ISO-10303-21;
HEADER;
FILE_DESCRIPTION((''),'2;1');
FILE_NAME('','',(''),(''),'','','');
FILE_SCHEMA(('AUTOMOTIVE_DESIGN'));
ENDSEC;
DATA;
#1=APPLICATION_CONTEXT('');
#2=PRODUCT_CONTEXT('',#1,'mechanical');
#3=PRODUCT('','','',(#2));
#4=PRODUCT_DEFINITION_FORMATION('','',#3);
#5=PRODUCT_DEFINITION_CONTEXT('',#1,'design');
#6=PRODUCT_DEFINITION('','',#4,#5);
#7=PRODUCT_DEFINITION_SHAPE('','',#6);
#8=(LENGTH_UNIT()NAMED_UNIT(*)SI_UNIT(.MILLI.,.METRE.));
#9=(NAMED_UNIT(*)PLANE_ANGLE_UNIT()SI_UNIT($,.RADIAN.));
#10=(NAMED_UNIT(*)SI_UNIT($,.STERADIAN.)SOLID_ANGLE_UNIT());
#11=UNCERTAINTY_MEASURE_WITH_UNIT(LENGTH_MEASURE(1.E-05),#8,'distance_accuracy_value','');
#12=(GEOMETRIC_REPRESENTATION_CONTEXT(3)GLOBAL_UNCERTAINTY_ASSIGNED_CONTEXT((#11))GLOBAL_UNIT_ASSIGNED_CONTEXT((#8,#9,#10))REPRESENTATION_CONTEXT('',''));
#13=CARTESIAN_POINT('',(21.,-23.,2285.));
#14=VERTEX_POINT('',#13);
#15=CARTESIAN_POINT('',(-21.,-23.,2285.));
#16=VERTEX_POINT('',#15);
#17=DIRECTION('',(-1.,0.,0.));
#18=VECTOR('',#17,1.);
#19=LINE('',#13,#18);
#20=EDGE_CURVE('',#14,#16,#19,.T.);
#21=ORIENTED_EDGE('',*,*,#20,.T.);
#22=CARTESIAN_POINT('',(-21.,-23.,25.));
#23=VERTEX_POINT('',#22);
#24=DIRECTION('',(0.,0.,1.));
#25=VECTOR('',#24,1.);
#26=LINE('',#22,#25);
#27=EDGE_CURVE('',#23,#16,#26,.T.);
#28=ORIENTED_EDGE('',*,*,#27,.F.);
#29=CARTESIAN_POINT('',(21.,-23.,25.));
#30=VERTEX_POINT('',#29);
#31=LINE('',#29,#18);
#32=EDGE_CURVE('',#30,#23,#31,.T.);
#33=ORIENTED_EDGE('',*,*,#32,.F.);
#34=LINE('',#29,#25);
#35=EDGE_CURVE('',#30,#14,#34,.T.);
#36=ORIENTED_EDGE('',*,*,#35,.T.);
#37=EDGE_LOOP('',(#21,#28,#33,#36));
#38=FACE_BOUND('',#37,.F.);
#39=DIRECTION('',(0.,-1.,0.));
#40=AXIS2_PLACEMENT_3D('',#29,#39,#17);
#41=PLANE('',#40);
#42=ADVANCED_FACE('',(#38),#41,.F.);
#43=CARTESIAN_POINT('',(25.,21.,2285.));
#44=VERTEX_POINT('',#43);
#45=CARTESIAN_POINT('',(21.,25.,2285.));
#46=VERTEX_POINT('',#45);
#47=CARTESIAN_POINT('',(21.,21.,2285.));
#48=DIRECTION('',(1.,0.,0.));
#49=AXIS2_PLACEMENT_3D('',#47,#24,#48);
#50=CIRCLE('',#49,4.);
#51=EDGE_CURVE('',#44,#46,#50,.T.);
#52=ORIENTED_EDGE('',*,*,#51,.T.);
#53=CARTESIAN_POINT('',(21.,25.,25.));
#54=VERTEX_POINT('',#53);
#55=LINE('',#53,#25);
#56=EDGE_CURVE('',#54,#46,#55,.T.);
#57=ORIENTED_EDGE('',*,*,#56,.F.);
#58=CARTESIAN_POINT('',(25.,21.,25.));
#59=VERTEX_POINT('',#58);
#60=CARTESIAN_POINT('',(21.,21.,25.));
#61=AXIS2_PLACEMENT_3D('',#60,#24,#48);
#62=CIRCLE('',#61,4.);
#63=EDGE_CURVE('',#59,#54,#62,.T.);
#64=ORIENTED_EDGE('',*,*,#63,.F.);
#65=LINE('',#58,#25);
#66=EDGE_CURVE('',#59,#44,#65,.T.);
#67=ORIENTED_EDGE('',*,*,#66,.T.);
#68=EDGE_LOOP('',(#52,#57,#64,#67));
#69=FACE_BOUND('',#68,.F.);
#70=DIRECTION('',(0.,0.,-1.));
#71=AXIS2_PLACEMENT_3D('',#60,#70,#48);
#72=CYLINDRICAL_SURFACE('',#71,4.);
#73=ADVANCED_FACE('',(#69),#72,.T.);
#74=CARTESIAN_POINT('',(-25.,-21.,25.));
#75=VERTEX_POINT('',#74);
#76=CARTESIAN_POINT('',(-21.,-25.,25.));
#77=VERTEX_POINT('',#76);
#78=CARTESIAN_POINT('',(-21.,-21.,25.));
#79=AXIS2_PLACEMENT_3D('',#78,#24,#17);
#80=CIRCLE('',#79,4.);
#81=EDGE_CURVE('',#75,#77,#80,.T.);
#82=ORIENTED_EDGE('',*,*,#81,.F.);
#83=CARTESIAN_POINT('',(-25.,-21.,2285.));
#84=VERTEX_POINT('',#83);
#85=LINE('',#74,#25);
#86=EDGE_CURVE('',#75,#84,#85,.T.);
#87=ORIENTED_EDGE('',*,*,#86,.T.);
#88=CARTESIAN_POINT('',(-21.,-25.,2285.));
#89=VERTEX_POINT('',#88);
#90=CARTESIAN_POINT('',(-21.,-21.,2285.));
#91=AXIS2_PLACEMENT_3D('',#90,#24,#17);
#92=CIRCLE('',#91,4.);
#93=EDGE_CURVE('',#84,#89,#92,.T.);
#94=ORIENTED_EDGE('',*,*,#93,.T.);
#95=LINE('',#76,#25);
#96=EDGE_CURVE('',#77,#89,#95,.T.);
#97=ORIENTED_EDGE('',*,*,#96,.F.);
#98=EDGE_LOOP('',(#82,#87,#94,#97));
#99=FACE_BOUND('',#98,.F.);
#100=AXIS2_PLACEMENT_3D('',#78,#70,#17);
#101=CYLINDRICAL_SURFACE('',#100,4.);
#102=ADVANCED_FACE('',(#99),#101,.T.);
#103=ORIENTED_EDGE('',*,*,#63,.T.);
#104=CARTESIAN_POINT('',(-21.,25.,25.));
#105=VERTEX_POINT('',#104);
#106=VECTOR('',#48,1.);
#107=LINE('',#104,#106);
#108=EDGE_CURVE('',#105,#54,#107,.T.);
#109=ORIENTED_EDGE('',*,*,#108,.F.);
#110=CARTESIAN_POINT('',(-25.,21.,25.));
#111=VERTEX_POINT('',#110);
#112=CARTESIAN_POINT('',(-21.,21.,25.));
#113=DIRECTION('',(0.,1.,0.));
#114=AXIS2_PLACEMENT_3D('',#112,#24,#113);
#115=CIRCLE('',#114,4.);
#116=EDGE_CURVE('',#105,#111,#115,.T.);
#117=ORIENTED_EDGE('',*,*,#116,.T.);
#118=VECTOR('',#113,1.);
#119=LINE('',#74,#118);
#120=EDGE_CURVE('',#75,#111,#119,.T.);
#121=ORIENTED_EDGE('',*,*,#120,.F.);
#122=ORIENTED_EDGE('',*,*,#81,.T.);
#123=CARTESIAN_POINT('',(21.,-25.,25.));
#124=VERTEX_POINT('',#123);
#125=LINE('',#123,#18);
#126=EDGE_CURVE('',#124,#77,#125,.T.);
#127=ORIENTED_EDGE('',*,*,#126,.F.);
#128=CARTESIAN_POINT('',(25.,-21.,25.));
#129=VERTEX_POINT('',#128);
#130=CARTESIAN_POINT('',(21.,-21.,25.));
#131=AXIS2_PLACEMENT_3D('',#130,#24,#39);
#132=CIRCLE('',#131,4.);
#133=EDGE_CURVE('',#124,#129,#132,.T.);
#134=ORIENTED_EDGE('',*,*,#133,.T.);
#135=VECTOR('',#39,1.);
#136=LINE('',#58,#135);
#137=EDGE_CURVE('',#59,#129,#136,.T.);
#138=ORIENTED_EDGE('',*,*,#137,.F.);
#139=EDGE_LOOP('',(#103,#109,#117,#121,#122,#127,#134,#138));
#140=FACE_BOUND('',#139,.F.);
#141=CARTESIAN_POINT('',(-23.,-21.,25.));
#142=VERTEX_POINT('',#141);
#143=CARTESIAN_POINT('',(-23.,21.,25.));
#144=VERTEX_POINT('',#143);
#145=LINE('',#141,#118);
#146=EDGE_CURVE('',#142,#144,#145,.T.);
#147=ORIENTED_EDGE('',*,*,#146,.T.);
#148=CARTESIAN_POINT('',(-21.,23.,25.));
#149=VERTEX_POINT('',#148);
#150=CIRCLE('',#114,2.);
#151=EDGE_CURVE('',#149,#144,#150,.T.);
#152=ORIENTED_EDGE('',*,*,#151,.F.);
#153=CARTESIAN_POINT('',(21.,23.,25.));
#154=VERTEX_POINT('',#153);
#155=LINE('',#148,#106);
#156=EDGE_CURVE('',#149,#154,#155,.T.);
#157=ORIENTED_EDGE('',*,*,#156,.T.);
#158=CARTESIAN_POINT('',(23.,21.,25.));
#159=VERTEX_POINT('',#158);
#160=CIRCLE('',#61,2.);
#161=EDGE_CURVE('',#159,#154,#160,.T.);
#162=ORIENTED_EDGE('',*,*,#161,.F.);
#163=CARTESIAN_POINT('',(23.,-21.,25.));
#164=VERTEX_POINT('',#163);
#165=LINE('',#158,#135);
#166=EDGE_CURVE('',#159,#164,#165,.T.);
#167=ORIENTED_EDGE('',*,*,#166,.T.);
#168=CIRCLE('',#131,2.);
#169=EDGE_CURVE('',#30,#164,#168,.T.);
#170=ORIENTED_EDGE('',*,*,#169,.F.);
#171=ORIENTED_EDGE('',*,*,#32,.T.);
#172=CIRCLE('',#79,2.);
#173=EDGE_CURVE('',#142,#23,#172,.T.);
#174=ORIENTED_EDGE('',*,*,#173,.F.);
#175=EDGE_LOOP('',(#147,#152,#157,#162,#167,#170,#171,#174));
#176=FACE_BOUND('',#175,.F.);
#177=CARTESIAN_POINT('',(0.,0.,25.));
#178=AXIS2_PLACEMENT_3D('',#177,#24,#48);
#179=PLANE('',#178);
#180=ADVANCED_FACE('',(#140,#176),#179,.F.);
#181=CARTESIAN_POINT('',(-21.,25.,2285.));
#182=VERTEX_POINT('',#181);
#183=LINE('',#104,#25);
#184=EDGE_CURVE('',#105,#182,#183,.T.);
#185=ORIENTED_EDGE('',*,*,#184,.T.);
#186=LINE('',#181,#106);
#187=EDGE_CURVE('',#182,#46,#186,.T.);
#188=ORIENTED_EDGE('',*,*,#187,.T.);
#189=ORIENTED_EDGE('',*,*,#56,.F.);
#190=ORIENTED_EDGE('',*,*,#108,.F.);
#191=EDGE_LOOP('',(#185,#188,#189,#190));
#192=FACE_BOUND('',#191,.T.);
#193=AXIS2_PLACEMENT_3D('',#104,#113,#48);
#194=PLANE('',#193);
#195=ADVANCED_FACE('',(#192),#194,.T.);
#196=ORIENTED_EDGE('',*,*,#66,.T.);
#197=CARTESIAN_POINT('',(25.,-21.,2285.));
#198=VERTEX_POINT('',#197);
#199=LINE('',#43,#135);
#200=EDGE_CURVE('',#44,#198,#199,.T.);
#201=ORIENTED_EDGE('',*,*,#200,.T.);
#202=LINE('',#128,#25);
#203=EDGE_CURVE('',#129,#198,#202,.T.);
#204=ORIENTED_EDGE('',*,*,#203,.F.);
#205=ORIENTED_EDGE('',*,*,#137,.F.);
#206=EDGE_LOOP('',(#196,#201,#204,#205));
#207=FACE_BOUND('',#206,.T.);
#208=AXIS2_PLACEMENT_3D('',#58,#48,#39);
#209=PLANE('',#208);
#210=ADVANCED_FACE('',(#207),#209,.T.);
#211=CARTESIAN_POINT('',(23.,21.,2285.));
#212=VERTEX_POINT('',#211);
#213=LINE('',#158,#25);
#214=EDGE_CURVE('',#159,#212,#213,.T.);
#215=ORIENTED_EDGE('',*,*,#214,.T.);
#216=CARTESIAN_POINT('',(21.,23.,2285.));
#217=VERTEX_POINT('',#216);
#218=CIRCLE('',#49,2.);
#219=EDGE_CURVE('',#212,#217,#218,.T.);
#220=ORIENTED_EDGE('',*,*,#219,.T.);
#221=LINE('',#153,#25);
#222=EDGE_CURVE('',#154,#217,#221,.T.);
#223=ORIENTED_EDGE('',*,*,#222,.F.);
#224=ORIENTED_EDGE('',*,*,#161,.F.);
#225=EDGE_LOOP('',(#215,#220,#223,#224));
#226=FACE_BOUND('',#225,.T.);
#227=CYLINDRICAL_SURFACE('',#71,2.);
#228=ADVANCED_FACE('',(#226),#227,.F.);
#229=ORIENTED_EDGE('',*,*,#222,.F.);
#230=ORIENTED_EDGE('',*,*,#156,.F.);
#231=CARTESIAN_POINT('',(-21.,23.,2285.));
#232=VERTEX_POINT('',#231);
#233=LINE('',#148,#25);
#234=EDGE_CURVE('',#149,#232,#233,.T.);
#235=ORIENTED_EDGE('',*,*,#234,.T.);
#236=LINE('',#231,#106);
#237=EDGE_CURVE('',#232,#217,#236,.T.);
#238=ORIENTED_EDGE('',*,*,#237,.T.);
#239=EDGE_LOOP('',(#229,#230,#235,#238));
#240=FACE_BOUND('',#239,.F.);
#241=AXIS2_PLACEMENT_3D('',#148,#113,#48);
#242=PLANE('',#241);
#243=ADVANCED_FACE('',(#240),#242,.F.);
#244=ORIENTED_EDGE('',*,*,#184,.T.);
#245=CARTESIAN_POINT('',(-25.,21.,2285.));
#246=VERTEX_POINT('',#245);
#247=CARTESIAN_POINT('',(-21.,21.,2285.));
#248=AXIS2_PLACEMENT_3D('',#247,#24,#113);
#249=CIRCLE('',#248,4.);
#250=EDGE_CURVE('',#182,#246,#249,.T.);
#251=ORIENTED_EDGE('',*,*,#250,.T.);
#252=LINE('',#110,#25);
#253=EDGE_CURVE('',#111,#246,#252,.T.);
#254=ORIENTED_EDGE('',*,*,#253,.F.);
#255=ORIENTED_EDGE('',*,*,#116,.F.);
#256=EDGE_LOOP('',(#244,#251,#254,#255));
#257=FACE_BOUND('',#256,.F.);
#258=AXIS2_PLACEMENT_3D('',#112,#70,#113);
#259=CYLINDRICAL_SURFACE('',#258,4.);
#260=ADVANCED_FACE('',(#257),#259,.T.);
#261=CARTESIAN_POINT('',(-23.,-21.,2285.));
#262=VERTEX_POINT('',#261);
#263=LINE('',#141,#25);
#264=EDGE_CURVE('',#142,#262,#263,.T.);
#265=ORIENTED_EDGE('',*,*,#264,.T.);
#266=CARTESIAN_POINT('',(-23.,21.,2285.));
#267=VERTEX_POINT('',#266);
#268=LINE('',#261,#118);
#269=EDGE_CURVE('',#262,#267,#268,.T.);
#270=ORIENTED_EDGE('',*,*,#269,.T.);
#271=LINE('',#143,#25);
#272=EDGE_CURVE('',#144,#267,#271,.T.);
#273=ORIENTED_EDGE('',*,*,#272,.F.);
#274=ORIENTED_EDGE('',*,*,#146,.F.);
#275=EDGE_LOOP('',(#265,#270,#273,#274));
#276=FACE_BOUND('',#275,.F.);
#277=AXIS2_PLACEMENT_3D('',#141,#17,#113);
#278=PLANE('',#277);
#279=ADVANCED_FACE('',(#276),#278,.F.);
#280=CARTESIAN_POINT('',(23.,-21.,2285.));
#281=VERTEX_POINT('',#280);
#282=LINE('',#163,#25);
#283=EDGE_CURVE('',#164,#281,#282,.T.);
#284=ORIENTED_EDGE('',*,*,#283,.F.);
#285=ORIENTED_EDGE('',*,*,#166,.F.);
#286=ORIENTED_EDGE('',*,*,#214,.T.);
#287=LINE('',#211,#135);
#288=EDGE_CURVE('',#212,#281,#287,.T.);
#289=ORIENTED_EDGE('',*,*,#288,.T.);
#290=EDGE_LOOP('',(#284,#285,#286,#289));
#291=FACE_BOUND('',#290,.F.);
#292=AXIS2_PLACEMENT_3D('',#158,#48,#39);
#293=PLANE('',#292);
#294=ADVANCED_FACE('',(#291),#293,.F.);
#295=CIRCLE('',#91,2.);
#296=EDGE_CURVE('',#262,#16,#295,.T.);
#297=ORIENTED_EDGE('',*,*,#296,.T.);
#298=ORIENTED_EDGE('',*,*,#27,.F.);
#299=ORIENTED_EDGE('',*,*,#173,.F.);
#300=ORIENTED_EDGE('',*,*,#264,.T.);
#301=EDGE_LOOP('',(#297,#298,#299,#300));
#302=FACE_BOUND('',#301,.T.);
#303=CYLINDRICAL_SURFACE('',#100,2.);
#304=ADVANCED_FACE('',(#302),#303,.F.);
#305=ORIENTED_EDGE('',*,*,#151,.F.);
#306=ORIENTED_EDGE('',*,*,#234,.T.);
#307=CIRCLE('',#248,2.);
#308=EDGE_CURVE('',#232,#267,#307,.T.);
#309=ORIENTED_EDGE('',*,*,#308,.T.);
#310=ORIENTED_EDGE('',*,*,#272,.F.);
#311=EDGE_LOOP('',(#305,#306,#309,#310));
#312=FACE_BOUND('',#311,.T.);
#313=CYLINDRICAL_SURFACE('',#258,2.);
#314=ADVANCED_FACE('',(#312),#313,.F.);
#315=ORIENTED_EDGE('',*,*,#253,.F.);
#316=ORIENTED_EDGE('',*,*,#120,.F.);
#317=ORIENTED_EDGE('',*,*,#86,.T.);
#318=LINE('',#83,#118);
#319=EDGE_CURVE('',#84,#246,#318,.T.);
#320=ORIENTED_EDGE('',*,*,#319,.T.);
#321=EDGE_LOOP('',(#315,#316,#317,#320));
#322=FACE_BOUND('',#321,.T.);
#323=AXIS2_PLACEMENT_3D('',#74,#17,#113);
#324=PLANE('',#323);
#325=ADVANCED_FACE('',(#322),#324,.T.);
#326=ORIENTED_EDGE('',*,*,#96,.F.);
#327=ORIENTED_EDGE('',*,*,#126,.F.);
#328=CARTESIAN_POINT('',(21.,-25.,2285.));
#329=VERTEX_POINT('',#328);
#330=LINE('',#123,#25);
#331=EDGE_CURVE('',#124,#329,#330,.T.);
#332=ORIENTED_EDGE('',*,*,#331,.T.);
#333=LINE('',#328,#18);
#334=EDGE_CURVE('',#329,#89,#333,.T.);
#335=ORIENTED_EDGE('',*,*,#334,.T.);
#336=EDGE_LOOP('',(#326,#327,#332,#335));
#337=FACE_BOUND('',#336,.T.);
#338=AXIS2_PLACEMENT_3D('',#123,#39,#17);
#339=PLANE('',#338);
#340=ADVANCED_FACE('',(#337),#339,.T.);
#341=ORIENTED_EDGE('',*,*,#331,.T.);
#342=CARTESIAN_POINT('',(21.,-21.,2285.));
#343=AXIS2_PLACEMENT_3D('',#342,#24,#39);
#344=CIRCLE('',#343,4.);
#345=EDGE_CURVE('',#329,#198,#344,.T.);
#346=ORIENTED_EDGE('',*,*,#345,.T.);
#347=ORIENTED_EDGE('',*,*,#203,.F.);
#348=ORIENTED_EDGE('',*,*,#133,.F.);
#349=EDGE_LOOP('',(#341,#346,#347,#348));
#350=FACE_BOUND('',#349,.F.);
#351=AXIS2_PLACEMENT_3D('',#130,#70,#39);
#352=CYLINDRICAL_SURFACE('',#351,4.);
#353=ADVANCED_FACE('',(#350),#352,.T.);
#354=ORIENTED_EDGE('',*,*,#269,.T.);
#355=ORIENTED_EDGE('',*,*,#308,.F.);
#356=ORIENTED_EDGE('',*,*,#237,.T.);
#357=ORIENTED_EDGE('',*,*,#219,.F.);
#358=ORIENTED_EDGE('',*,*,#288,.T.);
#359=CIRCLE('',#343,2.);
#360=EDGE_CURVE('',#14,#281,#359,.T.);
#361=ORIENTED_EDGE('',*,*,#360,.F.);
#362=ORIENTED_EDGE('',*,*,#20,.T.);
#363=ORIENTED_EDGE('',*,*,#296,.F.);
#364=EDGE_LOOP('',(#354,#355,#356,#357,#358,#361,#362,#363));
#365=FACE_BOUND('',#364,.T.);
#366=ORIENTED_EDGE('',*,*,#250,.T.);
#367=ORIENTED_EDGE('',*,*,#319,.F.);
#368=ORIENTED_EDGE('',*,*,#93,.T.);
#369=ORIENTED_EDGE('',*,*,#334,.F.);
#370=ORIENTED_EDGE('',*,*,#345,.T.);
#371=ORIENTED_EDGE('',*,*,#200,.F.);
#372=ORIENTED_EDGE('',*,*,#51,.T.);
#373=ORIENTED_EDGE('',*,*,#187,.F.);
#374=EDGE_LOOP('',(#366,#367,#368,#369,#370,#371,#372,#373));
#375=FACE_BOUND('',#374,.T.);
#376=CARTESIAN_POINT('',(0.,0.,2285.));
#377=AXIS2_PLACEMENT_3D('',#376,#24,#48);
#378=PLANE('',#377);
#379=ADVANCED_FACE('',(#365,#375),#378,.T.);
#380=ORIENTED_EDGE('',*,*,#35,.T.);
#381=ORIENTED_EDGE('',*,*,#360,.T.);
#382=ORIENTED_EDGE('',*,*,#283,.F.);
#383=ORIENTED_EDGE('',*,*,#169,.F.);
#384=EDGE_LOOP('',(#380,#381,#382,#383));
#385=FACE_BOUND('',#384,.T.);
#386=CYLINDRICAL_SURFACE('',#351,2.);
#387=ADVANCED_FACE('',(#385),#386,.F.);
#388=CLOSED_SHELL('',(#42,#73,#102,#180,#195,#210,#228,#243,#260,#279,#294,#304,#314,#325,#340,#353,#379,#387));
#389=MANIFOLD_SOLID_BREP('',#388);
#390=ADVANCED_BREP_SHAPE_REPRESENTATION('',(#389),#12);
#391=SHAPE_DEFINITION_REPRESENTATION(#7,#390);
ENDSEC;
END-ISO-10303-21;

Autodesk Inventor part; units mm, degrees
ref_plane "Start Plane" through (0, 0, 25) normal (0, 0, 1) x (1, 0, 0)
ref_plane "End Plane" through (0, 0, 2285) normal (0, 0, 1) x (1, 0, 0)
sketch "Sketch" plane through (0, 0, 0) normal (0, 0, 1) x (1, 0, 0)
  line L0 (-25, -21) -> (-25, 21)
  line L1 (-21, 25) -> (21, 25)
  line L2 (25, 21) -> (25, -21)
  line L3 (21, -25) -> (-21, -25)
  arc A0 (-25, -21) -> (-21, -25) centre (-21, -21) ccw
  arc A1 (25, 21) -> (21, 25) centre (21, 21) ccw
  arc A2 (-21, 25) -> (-25, 21) centre (-21, 21) ccw
  arc A3 (21, -25) -> (25, -21) centre (21, -21) ccw
  arc A4 (-21, 23) -> (-23, 21) centre (-21, 21) ccw
  line L4 (-21, 23) -> (21, 23)
  arc A5 (23, 21) -> (21, 23) centre (21, 21) ccw
  line L5 (23, 21) -> (23, -21)
  arc A6 (21, -23) -> (23, -21) centre (21, -21) ccw
  line L6 (21, -23) -> (-21, -23)
  arc A7 (-23, -21) -> (-21, -23) centre (-21, -21) ccw
  line L7 (-23, -21) -> (-23, 21)
  line L8 (0, 36.1598) -> (0, -36.1598) construction
  line L9 (-36.1598, 0) -> (36.1598, 0) construction
  dimension "d7" = 4
  dimension "d9" = 50
  dimension "d11" = 50
  dimension "d12" = 2
  dimension "d15" = 25
  dimension "d16" = 25
extrude "Body" add sketch "Sketch" along normal up to surface (2260 mm away) from surface at 25
sketch "Sketch3" plane through (0, 0, 0) normal (0, 0, 1) x (1, 0, 0)
  line L0 (0, 0) -> (10, 0)
ref_plane "Work Plane3" through (0, 0, 0) normal (0, -1, 0) x (1, 0, 0)
sketch "Sketch4" plane through (0, 0, 0) normal (0, -1, 0) x (1, 0, 0)
  line L0 (-2, 25) -> (12, 25)
  line L1 (-2, 2285) -> (12, 2285)
  dimension "d18" = 2260
ref_plane "Work Plane4" through (-235, -21, 25) normal (0, 0, -1) x (-1, 0, 0)
split "Split1" plane through (-235, -21, 25) removes the side toward (0, 0, -1)
ref_plane "Work Plane5" through (-235, 21, 2285) normal (0, 0, 1) x (1, 0, 0)
split "Split2" plane through (-235, 21, 2285) removes the side toward (0, 0, 1)
equation "\"d7\" = G_IR"
equation "\"d9\" = G_W"
equation "\"d11\" = G_H"
equation "\"d12\" = G_T"
equation "\"d15\" = 0.5 * d9"
equation "\"d16\" = 0.5 * d11"
equation "\"d3\" = G_L"
equation "\"G_W\" = 50"
equation "\"G_H\" = 50"
equation "\"G_T\" = 2"
equation "\"G_IR\" = 4"
equation "\"G_L\" = d18"
equation "\"G_OFFSET_START\" = -25"
equation "\"G_OFFSET_END\" = -25"
equation "\"d13\" = -G_OFFSET_START"
equation "\"d14\" = G_OFFSET_END + B_L"
equation "\"B_L\" = 2310"
properties part number "ISO 10799-2 - 50x50x2 - 2260"
